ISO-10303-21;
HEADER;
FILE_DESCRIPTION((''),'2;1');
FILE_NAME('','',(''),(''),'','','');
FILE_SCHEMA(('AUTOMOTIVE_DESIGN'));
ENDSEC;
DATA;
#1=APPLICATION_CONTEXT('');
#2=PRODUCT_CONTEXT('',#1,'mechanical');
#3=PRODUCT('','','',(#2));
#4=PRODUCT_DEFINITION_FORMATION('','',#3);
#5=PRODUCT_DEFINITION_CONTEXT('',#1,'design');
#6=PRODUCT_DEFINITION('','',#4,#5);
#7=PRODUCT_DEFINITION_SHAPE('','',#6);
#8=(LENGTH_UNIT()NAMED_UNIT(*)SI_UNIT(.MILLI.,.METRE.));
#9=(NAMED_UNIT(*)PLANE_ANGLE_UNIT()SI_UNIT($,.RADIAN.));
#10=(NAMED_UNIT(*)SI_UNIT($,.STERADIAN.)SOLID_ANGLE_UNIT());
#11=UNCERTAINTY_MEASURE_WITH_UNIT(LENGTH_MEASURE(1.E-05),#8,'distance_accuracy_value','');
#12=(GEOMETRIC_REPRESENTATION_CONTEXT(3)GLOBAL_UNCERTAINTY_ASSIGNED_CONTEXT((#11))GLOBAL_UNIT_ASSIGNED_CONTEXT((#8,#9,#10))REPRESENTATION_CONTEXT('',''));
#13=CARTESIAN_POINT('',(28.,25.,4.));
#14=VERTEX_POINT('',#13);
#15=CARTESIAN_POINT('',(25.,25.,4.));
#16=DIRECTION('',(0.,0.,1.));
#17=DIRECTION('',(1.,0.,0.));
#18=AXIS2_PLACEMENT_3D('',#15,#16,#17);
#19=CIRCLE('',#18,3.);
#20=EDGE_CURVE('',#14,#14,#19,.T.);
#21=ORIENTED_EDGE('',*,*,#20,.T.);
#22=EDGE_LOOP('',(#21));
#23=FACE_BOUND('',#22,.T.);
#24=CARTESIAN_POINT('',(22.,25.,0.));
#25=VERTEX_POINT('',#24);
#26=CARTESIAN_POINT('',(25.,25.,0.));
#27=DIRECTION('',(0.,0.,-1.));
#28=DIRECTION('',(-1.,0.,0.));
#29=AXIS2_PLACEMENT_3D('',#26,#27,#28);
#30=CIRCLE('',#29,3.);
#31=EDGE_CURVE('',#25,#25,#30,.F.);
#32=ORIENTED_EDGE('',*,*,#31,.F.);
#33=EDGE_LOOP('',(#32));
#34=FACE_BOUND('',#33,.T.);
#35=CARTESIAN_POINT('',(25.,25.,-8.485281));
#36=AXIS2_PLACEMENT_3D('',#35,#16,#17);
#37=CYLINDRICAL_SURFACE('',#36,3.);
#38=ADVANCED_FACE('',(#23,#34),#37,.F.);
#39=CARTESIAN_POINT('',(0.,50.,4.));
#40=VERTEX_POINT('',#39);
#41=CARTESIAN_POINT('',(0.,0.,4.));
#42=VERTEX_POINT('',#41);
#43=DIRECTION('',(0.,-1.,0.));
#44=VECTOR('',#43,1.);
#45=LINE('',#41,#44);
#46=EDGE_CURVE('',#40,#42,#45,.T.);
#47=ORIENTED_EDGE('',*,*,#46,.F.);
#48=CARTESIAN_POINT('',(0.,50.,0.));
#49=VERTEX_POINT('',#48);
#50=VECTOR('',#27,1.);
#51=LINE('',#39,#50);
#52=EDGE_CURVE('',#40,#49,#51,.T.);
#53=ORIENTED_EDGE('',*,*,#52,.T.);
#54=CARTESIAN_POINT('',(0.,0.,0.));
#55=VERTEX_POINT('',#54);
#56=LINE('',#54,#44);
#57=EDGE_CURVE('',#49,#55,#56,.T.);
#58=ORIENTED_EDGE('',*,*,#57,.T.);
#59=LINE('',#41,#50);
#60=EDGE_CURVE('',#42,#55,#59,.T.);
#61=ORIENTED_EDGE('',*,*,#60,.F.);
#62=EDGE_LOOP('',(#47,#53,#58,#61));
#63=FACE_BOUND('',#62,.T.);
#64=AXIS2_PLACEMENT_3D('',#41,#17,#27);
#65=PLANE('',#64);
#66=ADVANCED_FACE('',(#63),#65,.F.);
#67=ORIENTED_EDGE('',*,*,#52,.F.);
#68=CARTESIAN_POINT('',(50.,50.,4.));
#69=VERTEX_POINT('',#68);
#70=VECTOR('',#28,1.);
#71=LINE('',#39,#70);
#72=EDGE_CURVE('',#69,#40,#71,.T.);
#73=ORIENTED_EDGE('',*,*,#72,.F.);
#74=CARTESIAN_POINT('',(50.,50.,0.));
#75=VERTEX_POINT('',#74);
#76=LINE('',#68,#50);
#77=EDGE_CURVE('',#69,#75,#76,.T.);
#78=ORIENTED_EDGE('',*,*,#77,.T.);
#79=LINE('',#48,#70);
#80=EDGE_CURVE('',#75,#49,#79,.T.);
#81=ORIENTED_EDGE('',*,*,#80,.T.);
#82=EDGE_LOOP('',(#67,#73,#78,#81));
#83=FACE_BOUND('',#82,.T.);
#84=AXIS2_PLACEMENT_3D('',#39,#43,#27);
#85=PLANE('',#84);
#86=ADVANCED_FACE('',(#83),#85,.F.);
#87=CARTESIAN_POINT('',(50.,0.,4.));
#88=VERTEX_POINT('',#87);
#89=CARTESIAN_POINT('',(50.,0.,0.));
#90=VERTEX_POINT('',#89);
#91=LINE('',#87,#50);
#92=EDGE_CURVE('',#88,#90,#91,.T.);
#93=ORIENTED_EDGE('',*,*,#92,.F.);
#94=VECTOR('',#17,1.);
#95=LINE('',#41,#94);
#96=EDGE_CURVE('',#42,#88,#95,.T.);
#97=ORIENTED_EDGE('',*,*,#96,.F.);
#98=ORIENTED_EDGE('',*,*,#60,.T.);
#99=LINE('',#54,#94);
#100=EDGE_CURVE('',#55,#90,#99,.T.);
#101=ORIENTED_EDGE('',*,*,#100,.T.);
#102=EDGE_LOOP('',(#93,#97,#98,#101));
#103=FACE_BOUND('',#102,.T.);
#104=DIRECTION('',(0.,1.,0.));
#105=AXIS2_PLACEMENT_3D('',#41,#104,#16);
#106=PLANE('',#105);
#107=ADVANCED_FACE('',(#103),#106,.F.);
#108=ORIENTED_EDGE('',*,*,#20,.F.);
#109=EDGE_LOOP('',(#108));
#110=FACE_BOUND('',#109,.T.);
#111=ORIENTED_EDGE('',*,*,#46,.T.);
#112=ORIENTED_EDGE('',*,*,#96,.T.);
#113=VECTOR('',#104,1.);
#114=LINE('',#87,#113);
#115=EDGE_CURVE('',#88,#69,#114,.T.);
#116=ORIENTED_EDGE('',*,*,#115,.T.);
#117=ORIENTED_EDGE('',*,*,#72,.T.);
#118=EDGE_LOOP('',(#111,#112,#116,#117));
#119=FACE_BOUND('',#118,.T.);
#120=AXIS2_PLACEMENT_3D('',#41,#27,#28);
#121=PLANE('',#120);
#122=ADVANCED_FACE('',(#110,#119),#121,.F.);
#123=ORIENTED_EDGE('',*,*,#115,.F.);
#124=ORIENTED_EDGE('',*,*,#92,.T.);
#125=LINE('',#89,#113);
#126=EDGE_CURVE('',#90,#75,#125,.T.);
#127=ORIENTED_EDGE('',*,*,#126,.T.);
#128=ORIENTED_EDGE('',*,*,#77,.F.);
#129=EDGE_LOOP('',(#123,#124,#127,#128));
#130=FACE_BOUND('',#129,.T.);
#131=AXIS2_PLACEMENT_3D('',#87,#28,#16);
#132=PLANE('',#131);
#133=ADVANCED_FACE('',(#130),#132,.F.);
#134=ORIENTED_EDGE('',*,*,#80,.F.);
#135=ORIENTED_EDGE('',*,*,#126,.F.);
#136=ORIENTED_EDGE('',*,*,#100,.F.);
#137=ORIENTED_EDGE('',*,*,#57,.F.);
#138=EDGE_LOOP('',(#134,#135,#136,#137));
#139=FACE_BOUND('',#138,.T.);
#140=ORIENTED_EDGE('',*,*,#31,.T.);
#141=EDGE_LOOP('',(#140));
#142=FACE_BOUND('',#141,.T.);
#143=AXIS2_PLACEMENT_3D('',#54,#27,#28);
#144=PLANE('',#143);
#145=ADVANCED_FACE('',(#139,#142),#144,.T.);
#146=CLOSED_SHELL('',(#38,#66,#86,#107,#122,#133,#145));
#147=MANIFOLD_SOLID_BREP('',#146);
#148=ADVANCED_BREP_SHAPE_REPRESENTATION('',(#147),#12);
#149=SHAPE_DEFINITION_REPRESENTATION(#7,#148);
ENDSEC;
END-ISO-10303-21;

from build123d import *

# Parameters (mm, degrees)
SKETCH1_W           = 50
SKETCH1_H           = 50
BOSS_EXTRUDE1_DEPTH = 4
SKETCH3_R           = 3
CUT_EXTRUDE1_DEPTH  = 4


with BuildPart() as part:
    # Sketch1 → Boss-Extrude1 (new body)
    with BuildSketch(Plane.XY):
        with Locations((25, 25)):
            Rectangle(SKETCH1_W, SKETCH1_H)
    extrude(amount=BOSS_EXTRUDE1_DEPTH)

    # Sketch3 → Cut-Extrude1 (cut)
    with BuildSketch(Plane.XY.offset(4)):
        with Locations((25, 25)):
            Circle(SKETCH3_R)
    extrude(amount=-CUT_EXTRUDE1_DEPTH, mode=Mode.SUBTRACT)


solid = part.part
